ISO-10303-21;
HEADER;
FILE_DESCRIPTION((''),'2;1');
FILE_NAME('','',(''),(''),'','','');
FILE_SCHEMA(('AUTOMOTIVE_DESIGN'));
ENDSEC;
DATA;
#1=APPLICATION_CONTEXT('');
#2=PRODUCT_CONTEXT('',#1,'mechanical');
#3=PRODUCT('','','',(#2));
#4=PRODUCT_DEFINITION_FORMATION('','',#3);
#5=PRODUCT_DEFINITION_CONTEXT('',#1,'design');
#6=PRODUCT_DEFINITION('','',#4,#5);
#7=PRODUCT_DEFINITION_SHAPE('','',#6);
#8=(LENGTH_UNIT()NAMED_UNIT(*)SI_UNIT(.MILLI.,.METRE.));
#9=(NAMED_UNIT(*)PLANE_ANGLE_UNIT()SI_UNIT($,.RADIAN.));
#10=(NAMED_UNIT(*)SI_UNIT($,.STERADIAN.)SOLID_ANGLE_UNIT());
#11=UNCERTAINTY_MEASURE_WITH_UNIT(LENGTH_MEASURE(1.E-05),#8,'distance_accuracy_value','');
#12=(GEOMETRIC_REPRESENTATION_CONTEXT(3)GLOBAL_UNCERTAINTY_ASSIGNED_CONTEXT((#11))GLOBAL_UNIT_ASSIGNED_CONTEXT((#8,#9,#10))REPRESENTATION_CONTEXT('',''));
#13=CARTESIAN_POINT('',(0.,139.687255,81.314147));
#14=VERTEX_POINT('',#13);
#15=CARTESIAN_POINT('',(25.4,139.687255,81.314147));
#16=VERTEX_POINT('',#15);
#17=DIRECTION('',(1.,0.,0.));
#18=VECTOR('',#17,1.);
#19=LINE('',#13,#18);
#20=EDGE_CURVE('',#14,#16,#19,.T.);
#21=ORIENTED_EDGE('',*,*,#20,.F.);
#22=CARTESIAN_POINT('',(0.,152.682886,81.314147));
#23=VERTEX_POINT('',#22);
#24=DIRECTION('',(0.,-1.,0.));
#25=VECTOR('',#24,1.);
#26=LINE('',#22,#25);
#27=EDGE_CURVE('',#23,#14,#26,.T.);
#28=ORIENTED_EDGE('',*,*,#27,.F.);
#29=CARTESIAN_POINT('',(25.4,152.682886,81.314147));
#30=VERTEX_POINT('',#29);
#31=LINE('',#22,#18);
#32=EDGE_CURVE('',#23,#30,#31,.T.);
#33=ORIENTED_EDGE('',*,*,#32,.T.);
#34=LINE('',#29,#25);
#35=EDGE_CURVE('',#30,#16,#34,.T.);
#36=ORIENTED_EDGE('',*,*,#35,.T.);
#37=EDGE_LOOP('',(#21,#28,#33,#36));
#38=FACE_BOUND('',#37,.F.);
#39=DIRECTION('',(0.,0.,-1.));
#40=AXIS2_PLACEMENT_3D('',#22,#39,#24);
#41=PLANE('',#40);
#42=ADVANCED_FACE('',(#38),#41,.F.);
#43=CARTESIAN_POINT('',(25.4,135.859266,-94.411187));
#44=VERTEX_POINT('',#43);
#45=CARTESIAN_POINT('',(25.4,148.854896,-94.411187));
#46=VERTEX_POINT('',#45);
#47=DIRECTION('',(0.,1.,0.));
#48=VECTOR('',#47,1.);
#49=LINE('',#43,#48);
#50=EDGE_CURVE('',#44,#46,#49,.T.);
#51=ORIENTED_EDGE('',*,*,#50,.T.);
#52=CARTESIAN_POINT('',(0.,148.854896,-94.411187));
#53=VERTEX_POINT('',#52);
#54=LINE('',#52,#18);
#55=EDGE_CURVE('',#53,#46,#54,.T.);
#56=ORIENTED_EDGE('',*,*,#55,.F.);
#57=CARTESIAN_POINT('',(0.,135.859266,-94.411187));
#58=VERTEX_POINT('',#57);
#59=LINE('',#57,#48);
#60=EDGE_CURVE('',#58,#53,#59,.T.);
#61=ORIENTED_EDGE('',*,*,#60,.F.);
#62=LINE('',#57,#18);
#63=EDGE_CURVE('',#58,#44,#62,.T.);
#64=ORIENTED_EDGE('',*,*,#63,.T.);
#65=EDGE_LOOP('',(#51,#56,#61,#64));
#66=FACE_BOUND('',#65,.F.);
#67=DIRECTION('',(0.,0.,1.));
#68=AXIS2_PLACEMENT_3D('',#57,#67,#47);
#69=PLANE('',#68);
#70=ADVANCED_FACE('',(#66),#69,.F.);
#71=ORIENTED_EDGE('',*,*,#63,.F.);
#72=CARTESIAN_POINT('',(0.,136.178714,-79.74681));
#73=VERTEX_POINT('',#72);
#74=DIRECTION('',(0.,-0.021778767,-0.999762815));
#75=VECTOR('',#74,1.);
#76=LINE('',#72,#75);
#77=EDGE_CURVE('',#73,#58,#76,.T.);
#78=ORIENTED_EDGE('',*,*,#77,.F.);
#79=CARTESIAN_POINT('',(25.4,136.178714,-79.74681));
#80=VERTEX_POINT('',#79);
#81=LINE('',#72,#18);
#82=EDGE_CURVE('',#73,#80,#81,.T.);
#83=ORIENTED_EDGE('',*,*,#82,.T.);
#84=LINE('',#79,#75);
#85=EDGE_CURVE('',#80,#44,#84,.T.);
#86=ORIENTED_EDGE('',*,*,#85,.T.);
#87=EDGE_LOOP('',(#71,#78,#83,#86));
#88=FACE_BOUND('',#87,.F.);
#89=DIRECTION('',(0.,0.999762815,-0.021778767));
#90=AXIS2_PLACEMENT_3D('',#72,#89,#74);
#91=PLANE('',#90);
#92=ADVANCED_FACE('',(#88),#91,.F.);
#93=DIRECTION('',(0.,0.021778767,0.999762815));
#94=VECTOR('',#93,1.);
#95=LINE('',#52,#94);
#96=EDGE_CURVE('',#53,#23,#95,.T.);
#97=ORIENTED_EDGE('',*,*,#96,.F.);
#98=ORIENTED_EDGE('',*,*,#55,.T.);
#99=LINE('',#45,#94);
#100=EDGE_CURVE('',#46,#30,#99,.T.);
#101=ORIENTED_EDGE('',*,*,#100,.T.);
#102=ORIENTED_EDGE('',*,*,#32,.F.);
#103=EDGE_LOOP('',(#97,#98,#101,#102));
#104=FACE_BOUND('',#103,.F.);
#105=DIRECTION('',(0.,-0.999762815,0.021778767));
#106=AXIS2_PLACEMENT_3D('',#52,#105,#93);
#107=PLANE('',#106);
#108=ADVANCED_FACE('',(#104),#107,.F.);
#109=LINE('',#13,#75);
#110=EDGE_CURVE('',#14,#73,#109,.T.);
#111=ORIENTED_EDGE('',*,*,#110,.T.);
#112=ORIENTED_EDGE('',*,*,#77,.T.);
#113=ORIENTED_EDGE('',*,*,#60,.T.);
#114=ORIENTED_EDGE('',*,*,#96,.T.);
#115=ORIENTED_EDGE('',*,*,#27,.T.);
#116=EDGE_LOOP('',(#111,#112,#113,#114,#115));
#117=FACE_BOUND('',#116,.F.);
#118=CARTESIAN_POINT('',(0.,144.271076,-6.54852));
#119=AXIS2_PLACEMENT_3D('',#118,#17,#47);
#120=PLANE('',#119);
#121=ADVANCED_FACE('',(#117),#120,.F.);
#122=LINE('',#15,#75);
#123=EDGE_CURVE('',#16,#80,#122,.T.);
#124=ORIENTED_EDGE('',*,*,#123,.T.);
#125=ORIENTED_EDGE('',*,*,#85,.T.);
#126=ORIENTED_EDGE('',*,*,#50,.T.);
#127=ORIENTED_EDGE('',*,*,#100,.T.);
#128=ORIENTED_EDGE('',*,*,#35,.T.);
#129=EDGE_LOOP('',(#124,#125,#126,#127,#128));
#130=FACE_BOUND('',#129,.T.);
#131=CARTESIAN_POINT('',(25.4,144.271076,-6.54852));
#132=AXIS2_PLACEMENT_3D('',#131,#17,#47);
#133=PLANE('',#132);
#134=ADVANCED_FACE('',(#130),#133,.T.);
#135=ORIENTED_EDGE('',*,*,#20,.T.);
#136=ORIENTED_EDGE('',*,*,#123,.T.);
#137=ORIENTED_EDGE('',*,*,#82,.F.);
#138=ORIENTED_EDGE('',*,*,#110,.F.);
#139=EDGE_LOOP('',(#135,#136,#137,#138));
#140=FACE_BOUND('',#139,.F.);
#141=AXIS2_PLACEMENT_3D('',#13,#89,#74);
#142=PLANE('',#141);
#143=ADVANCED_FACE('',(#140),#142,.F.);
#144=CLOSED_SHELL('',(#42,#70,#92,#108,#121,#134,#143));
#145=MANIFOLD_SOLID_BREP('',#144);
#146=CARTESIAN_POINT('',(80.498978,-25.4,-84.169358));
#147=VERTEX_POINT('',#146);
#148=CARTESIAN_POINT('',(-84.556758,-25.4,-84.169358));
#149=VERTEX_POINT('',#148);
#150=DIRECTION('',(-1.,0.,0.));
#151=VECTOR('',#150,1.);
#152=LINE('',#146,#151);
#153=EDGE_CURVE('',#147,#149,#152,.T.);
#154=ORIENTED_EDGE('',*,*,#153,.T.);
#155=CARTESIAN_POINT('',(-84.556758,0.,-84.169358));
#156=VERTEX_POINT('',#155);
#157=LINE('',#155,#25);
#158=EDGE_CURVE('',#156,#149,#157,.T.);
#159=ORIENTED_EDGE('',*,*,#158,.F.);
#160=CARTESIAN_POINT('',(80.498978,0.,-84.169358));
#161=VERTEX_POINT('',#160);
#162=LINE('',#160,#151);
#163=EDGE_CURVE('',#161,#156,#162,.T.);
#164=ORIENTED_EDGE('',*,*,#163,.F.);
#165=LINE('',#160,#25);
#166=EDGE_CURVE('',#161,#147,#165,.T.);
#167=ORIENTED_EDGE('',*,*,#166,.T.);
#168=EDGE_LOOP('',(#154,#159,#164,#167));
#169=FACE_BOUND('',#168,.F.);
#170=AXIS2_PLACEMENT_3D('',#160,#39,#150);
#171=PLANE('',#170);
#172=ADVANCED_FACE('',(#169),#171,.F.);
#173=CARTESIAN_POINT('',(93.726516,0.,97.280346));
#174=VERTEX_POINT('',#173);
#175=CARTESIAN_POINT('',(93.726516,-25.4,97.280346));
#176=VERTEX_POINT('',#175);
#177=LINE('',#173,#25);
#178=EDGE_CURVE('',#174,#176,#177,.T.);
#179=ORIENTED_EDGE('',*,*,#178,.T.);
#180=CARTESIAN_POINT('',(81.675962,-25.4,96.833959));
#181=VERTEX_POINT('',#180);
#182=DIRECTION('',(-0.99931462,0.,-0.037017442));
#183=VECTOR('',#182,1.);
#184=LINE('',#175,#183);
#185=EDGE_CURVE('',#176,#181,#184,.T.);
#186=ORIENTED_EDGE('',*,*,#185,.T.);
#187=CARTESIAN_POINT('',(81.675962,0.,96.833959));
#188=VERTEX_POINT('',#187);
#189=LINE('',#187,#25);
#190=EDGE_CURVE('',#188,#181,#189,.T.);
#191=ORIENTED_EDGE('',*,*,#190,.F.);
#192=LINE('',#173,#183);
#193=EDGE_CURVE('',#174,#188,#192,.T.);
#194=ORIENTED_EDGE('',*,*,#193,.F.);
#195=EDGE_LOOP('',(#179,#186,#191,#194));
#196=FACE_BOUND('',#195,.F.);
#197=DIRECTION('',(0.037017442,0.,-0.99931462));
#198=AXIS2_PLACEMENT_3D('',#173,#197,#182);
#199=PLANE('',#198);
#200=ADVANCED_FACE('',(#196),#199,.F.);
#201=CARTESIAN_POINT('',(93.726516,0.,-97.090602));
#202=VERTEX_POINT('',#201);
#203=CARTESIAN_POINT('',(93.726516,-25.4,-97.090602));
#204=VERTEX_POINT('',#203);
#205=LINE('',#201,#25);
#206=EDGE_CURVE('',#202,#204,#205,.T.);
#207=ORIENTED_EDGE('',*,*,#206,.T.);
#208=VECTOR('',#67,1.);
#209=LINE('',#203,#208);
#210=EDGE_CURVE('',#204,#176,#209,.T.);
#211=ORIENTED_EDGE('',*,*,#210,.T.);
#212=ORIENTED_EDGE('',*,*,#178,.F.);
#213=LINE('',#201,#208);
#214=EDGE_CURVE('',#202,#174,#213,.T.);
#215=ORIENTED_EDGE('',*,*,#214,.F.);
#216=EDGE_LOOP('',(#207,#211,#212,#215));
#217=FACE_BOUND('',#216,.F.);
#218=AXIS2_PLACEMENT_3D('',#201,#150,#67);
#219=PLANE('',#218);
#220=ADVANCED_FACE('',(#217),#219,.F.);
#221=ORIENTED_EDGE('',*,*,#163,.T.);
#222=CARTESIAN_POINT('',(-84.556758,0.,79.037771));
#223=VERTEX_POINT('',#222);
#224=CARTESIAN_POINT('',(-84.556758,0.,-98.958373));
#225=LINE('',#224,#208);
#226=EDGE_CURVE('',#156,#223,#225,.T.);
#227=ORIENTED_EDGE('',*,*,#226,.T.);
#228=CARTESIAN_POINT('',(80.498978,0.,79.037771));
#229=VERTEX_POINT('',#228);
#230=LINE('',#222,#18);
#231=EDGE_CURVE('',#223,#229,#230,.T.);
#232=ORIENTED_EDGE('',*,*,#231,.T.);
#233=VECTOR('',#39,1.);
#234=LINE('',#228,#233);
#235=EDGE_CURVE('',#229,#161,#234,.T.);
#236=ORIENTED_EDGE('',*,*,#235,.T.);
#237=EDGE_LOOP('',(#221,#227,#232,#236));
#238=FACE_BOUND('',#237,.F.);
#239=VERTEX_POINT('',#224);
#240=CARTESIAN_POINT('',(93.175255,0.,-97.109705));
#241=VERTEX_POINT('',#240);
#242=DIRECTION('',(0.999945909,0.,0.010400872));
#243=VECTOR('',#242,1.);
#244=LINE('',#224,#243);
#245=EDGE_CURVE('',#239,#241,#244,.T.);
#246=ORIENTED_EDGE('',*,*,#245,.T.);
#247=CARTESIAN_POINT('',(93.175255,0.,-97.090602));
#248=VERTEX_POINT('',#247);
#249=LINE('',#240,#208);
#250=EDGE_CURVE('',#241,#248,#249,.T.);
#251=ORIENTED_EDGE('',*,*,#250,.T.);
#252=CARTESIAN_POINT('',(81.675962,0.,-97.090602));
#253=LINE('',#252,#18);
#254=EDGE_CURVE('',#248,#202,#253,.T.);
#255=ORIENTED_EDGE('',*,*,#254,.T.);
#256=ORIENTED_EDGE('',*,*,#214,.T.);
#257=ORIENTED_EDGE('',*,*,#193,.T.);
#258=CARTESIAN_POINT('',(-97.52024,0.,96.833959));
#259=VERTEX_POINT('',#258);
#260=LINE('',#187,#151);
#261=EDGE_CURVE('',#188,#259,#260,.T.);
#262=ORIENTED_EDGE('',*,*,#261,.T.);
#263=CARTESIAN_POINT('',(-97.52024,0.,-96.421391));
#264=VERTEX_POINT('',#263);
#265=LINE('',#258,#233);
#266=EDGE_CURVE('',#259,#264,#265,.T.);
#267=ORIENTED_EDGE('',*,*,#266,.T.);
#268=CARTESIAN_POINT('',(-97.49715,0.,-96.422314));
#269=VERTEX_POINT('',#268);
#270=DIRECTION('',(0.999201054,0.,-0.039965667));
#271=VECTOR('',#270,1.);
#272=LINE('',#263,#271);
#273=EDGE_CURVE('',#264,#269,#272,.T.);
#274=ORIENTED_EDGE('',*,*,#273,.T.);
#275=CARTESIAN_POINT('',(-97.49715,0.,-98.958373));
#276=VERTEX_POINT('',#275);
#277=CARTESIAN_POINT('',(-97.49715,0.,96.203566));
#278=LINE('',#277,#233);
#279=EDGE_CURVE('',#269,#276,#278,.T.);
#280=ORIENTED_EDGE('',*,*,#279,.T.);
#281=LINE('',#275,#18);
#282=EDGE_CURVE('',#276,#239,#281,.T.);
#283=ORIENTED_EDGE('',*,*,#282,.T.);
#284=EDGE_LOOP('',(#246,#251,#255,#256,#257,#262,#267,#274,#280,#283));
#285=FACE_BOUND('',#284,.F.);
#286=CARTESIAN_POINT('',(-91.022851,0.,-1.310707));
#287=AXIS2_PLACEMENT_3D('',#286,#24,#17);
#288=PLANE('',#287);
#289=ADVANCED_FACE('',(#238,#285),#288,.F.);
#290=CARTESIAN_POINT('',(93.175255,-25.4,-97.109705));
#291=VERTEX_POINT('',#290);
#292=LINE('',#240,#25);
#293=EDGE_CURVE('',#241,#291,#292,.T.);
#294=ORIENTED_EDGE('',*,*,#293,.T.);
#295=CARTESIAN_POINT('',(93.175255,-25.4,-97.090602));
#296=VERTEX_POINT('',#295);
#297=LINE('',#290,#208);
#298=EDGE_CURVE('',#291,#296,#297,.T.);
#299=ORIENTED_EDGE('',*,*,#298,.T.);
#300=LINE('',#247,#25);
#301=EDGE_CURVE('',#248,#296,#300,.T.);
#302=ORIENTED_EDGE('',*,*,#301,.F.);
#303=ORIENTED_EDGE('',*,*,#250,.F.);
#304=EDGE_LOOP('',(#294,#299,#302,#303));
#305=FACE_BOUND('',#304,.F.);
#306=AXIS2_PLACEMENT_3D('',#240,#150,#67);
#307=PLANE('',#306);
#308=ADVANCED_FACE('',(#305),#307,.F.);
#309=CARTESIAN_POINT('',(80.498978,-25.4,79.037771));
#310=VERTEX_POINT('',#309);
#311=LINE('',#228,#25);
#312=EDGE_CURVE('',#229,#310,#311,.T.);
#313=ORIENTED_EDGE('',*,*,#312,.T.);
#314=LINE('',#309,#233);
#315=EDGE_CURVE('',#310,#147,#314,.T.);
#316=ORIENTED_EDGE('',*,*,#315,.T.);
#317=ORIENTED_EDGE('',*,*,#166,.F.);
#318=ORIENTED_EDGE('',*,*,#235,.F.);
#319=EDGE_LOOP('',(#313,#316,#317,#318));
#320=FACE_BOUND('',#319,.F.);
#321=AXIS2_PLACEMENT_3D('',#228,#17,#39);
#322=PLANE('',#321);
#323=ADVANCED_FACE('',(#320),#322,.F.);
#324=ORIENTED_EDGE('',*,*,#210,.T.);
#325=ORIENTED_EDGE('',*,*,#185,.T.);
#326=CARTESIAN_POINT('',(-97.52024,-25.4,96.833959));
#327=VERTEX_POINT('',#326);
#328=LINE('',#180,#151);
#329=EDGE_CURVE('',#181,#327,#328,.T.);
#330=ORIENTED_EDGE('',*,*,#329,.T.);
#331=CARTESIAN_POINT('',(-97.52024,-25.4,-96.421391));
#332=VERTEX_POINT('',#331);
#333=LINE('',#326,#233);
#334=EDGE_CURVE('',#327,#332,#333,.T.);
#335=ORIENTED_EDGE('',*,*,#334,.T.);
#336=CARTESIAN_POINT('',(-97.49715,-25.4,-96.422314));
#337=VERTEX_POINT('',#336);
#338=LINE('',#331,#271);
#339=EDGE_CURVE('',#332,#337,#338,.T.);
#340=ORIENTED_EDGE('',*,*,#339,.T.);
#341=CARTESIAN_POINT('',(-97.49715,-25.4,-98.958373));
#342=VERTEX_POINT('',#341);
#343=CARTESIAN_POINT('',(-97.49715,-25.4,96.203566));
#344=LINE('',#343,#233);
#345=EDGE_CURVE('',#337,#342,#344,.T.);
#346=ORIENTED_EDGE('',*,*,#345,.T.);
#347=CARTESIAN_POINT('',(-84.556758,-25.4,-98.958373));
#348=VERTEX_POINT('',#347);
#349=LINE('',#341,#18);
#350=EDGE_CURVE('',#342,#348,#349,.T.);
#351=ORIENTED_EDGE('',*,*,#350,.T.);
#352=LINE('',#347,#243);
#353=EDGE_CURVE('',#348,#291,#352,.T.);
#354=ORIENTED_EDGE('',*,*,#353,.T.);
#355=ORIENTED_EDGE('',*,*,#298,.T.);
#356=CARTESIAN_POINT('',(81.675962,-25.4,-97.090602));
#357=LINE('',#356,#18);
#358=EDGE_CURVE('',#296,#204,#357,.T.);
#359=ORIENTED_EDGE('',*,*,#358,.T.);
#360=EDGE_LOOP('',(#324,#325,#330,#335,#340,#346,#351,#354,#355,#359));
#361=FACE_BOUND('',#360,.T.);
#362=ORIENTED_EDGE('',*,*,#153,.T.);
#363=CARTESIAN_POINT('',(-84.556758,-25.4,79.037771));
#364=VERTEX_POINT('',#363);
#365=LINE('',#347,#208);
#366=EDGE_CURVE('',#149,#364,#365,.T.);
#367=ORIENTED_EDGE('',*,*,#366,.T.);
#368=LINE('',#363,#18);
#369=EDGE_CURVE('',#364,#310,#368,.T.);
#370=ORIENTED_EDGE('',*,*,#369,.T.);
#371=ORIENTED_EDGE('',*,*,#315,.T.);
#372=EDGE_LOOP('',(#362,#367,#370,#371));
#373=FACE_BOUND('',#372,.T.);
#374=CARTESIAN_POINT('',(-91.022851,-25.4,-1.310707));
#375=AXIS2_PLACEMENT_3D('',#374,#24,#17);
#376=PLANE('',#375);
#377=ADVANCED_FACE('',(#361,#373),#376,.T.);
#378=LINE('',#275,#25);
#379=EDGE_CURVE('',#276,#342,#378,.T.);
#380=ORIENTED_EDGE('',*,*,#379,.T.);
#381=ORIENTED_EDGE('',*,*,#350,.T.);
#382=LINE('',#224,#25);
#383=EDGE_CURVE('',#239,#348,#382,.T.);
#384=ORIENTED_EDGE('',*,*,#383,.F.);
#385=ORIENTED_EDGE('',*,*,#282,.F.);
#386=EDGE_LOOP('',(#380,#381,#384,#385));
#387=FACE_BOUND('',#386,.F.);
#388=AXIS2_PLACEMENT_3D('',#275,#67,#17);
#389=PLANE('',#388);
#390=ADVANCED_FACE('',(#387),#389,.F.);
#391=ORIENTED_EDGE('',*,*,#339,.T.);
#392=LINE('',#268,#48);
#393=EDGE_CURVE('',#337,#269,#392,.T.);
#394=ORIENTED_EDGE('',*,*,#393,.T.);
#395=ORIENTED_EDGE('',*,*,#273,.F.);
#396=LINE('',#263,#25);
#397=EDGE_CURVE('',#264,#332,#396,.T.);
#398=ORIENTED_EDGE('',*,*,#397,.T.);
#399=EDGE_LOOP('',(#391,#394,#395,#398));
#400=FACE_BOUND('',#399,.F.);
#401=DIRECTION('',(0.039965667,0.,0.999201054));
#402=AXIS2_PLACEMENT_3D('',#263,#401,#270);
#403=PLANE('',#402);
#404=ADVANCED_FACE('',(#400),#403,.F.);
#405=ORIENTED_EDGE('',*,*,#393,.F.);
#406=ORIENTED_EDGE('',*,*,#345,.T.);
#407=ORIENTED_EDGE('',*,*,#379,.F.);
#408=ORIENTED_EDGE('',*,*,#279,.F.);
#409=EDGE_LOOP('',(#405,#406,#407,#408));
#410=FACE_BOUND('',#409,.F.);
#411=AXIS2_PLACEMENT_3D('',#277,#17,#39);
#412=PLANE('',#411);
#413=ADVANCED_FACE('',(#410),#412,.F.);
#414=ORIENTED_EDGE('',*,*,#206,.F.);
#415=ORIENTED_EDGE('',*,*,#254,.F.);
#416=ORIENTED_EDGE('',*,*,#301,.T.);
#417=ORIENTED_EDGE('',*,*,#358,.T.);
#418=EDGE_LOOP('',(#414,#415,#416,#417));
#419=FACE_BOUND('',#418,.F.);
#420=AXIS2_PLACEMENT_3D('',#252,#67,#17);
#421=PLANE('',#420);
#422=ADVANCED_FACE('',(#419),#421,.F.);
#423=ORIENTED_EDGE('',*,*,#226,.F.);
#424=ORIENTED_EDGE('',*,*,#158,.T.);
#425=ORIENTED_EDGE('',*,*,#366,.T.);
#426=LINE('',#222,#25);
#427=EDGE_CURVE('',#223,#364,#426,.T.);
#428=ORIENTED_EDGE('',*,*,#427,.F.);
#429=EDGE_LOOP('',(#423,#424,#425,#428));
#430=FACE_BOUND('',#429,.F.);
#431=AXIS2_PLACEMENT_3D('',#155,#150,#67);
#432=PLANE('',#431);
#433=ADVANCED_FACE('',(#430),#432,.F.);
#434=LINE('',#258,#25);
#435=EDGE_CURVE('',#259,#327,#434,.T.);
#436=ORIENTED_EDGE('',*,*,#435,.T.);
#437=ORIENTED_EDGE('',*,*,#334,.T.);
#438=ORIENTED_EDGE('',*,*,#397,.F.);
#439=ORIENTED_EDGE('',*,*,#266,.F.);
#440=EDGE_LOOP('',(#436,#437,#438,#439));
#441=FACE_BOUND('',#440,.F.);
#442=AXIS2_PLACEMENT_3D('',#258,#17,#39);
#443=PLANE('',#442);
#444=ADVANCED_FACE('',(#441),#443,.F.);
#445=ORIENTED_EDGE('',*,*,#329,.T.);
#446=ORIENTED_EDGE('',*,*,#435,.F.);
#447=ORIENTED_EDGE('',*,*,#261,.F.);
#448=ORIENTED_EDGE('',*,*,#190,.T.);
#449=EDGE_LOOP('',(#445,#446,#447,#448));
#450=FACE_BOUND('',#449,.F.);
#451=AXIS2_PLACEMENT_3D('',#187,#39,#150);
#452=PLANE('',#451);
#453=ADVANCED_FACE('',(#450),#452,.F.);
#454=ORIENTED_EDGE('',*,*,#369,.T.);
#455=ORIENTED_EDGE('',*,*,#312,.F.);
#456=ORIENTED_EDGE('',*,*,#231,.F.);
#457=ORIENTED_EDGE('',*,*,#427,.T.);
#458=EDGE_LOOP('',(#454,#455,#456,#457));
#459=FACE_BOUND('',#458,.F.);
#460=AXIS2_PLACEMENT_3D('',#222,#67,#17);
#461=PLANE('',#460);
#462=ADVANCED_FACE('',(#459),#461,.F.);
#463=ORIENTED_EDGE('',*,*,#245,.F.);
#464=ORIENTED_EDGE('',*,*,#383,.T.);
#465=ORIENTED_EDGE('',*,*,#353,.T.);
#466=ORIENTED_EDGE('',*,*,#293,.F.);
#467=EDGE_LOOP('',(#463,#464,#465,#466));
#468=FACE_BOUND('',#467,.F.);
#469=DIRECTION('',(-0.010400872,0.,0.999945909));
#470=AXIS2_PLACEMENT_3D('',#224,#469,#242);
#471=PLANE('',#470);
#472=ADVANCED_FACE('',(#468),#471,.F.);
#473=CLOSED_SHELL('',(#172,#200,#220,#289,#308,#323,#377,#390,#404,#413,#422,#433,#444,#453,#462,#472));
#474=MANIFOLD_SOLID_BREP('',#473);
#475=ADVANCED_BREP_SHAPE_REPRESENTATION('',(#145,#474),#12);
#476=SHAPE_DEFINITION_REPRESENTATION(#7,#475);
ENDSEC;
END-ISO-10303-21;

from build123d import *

# Parameters (mm, degrees)
F1_DEPTH = 25.4
F3_DEPTH = 25.4
F5_DEPTH = 25.4


with BuildPart() as f1:
    # F0 (on Front) → F1 (new body)
    with BuildSketch(Plane.XZ):
        Polygon((93.72651577, -97.0906019211), (93.72651577, 97.2803458571), (81.6759616137, 96.8339592218), (81.6759616137, 80.0969600677), (81.6759616137, -84.5939666033), (81.6759616137, -97.0906019211), align=None)
        Polygon((81.6759616137, 80.0969600677), (81.6759616137, 96.8339592218), (-97.5202396512, 96.8339592218), (-97.5202396512, 80.0969600677), (-86.3623321056, 80.0969600677), align=None)
        Polygon((-86.3623321056, -96.8676805496), (81.6759616137, -97.0906019211), (81.6759616137, -84.5939666033), (-86.3623321056, -84.5939666033), align=None)
        Polygon((-97.5202396512, -96.4213907719), (-86.3623321056, -96.8676805496), (-86.3623321056, -84.5939666033), (-86.3623321056, 80.0969600677), (-97.5202396512, 80.0969600677), align=None)
    extrude(amount=F1_DEPTH)

    # F2 (on Front) → F3 (join)
    with BuildSketch(Plane.XZ):
        Polygon((-84.5567584038, 96.4676588774), (-97.4971503019, 96.2035655975), (-97.4971503019, -98.9583730698), (-84.5567584038, -98.9583730698), (-84.5567584038, -84.1693580151), (-84.5567584038, 79.0377706289), align=None)
        Polygon((93.4393554926, 96.4676588774), (-84.5567584038, 96.4676588774), (-84.5567584038, 79.0377706289), (80.4989784956, 79.0377706289), (93.1752547622, 79.0377706289), align=None)
        Polygon((80.4989784956, -96.5815484524), (-84.5567584038, -98.9583730698), (93.1752547622, -97.1097052097), (93.1752547622, 79.0377706289), (80.4989784956, 79.0377706289), (80.4989784956, -84.1693580151), align=None)
        Polygon((-84.5567584038, -84.1693580151), (-84.5567584038, -98.9583730698), (80.4989784956, -96.5815484524), (80.4989784956, -84.1693580151), align=None)
    extrude(amount=F3_DEPTH)


with BuildPart() as f5:
    # F4 (on Right) → F5 (new body)
    with BuildSketch(Plane.YZ):
        Polygon((148.8548964262, -94.4111868739), (152.6828855276, 81.3141465187), (139.6872550249, 81.3141465187), (136.1787137475, -79.7468098621), (135.8592659235, -94.4111868739), align=None)
    extrude(amount=F5_DEPTH)


solid = Compound([f1.part, f5.part])
